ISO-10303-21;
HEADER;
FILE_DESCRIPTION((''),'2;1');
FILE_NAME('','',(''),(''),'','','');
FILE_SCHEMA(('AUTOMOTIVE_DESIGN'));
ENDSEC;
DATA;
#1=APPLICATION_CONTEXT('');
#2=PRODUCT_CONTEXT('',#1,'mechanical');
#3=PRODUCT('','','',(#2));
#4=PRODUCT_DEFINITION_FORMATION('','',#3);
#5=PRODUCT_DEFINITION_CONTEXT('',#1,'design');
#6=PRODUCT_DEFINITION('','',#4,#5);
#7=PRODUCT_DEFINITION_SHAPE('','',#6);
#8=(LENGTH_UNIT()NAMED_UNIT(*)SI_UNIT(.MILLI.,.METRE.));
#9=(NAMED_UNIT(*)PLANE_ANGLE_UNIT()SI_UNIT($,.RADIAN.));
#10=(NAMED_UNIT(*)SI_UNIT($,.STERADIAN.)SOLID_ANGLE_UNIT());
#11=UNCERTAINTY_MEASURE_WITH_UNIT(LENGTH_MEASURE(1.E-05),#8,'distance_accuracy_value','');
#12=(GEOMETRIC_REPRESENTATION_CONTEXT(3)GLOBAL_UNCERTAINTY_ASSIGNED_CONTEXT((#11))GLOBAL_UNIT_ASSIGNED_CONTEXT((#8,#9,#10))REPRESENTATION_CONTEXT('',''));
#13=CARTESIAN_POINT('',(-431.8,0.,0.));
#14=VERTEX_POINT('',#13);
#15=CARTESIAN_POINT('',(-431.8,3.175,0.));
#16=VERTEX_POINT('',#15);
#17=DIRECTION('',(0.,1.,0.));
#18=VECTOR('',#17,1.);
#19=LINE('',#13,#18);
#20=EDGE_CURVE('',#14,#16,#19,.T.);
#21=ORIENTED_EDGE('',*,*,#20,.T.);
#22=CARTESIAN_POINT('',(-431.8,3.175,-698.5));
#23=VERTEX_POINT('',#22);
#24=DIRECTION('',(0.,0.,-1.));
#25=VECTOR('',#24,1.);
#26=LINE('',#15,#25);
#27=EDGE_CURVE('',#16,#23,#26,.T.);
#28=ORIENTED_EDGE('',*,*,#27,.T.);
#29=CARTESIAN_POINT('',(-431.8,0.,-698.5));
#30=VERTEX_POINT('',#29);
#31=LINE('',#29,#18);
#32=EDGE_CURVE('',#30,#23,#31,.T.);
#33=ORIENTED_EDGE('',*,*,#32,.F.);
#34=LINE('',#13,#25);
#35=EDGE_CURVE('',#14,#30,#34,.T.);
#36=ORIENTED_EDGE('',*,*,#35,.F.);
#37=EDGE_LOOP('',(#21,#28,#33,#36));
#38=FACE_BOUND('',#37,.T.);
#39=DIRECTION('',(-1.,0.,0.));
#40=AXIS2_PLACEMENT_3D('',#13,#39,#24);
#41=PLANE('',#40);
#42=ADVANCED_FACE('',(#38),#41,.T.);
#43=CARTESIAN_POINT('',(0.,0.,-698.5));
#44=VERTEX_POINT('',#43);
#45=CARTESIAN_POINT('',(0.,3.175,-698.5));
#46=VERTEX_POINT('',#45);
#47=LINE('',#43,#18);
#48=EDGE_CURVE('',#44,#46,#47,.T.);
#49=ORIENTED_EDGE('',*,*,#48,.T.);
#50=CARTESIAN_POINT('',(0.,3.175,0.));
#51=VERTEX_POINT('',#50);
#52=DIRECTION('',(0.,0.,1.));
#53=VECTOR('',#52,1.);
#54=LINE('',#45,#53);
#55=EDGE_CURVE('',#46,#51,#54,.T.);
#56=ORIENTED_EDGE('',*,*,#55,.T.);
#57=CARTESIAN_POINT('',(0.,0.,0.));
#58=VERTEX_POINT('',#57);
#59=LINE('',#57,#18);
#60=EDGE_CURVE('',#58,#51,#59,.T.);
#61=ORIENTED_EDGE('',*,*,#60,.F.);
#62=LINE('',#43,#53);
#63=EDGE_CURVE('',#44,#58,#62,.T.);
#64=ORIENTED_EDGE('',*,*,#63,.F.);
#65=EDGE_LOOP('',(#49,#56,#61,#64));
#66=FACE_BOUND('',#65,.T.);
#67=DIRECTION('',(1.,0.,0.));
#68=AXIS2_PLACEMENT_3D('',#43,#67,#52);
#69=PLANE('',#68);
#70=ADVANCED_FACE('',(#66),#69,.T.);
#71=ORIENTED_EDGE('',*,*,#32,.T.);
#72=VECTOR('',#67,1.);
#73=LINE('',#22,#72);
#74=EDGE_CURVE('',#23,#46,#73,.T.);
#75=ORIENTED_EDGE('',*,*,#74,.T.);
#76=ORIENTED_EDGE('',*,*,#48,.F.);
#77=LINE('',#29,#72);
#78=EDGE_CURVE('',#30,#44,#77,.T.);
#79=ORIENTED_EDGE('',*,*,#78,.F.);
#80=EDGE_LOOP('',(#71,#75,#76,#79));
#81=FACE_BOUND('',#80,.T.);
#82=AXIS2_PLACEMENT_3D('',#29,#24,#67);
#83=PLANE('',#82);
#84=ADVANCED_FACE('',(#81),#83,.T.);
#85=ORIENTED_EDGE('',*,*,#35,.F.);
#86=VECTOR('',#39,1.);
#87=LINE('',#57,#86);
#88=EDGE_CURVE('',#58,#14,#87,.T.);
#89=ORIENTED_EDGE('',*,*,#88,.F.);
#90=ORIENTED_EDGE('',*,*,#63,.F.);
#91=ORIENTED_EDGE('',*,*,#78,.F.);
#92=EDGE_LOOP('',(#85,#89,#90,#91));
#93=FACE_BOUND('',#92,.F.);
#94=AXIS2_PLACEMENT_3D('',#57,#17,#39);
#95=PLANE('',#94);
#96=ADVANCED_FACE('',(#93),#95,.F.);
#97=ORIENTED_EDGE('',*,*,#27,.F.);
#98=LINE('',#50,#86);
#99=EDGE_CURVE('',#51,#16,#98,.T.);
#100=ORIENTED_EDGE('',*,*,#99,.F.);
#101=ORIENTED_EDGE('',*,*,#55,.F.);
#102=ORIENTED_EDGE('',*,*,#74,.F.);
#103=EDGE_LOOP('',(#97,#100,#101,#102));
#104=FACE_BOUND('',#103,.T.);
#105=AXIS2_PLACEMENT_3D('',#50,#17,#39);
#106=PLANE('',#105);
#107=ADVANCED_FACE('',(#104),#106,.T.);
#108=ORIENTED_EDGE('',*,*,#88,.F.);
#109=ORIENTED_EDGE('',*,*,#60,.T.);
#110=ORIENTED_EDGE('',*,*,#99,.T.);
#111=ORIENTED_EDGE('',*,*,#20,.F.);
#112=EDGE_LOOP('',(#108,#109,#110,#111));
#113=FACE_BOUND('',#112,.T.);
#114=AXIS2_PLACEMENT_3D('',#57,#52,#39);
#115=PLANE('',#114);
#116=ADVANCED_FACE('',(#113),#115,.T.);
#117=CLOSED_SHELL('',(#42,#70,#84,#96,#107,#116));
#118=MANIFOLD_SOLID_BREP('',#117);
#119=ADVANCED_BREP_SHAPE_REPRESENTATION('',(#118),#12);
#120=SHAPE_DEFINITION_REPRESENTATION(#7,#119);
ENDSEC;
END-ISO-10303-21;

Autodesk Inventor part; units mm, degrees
ref_plane "YZ Plane" through (0, 0, 0) normal (1, 0, 0) x (0, 1, 0)
ref_plane "XZ Plane" through (0, 0, 0) normal (0, 1, 0) x (-1, 0, 0)
ref_plane "XY Plane" through (0, 0, 0) normal (0, 0, 1) x (1, 0, 0)
sketch "Sketch1" plane through (0, 0, 0) normal (0, 1, 0) x (-1, 0, 0)
  line L0 (0, 0) -> (431.8, 0)
  line L1 (431.8, 0) -> (431.8, -698.5)
  line L2 (431.8, -698.5) -> (0, -698.5)
  line L3 (0, -698.5) -> (0, 0)
  dimension "d0" = 431.8
  dimension "d1" = 698.5
extrude "Extrusion1" add sketch "Sketch1" along normal blind 3.175
properties part number "electronics board"
